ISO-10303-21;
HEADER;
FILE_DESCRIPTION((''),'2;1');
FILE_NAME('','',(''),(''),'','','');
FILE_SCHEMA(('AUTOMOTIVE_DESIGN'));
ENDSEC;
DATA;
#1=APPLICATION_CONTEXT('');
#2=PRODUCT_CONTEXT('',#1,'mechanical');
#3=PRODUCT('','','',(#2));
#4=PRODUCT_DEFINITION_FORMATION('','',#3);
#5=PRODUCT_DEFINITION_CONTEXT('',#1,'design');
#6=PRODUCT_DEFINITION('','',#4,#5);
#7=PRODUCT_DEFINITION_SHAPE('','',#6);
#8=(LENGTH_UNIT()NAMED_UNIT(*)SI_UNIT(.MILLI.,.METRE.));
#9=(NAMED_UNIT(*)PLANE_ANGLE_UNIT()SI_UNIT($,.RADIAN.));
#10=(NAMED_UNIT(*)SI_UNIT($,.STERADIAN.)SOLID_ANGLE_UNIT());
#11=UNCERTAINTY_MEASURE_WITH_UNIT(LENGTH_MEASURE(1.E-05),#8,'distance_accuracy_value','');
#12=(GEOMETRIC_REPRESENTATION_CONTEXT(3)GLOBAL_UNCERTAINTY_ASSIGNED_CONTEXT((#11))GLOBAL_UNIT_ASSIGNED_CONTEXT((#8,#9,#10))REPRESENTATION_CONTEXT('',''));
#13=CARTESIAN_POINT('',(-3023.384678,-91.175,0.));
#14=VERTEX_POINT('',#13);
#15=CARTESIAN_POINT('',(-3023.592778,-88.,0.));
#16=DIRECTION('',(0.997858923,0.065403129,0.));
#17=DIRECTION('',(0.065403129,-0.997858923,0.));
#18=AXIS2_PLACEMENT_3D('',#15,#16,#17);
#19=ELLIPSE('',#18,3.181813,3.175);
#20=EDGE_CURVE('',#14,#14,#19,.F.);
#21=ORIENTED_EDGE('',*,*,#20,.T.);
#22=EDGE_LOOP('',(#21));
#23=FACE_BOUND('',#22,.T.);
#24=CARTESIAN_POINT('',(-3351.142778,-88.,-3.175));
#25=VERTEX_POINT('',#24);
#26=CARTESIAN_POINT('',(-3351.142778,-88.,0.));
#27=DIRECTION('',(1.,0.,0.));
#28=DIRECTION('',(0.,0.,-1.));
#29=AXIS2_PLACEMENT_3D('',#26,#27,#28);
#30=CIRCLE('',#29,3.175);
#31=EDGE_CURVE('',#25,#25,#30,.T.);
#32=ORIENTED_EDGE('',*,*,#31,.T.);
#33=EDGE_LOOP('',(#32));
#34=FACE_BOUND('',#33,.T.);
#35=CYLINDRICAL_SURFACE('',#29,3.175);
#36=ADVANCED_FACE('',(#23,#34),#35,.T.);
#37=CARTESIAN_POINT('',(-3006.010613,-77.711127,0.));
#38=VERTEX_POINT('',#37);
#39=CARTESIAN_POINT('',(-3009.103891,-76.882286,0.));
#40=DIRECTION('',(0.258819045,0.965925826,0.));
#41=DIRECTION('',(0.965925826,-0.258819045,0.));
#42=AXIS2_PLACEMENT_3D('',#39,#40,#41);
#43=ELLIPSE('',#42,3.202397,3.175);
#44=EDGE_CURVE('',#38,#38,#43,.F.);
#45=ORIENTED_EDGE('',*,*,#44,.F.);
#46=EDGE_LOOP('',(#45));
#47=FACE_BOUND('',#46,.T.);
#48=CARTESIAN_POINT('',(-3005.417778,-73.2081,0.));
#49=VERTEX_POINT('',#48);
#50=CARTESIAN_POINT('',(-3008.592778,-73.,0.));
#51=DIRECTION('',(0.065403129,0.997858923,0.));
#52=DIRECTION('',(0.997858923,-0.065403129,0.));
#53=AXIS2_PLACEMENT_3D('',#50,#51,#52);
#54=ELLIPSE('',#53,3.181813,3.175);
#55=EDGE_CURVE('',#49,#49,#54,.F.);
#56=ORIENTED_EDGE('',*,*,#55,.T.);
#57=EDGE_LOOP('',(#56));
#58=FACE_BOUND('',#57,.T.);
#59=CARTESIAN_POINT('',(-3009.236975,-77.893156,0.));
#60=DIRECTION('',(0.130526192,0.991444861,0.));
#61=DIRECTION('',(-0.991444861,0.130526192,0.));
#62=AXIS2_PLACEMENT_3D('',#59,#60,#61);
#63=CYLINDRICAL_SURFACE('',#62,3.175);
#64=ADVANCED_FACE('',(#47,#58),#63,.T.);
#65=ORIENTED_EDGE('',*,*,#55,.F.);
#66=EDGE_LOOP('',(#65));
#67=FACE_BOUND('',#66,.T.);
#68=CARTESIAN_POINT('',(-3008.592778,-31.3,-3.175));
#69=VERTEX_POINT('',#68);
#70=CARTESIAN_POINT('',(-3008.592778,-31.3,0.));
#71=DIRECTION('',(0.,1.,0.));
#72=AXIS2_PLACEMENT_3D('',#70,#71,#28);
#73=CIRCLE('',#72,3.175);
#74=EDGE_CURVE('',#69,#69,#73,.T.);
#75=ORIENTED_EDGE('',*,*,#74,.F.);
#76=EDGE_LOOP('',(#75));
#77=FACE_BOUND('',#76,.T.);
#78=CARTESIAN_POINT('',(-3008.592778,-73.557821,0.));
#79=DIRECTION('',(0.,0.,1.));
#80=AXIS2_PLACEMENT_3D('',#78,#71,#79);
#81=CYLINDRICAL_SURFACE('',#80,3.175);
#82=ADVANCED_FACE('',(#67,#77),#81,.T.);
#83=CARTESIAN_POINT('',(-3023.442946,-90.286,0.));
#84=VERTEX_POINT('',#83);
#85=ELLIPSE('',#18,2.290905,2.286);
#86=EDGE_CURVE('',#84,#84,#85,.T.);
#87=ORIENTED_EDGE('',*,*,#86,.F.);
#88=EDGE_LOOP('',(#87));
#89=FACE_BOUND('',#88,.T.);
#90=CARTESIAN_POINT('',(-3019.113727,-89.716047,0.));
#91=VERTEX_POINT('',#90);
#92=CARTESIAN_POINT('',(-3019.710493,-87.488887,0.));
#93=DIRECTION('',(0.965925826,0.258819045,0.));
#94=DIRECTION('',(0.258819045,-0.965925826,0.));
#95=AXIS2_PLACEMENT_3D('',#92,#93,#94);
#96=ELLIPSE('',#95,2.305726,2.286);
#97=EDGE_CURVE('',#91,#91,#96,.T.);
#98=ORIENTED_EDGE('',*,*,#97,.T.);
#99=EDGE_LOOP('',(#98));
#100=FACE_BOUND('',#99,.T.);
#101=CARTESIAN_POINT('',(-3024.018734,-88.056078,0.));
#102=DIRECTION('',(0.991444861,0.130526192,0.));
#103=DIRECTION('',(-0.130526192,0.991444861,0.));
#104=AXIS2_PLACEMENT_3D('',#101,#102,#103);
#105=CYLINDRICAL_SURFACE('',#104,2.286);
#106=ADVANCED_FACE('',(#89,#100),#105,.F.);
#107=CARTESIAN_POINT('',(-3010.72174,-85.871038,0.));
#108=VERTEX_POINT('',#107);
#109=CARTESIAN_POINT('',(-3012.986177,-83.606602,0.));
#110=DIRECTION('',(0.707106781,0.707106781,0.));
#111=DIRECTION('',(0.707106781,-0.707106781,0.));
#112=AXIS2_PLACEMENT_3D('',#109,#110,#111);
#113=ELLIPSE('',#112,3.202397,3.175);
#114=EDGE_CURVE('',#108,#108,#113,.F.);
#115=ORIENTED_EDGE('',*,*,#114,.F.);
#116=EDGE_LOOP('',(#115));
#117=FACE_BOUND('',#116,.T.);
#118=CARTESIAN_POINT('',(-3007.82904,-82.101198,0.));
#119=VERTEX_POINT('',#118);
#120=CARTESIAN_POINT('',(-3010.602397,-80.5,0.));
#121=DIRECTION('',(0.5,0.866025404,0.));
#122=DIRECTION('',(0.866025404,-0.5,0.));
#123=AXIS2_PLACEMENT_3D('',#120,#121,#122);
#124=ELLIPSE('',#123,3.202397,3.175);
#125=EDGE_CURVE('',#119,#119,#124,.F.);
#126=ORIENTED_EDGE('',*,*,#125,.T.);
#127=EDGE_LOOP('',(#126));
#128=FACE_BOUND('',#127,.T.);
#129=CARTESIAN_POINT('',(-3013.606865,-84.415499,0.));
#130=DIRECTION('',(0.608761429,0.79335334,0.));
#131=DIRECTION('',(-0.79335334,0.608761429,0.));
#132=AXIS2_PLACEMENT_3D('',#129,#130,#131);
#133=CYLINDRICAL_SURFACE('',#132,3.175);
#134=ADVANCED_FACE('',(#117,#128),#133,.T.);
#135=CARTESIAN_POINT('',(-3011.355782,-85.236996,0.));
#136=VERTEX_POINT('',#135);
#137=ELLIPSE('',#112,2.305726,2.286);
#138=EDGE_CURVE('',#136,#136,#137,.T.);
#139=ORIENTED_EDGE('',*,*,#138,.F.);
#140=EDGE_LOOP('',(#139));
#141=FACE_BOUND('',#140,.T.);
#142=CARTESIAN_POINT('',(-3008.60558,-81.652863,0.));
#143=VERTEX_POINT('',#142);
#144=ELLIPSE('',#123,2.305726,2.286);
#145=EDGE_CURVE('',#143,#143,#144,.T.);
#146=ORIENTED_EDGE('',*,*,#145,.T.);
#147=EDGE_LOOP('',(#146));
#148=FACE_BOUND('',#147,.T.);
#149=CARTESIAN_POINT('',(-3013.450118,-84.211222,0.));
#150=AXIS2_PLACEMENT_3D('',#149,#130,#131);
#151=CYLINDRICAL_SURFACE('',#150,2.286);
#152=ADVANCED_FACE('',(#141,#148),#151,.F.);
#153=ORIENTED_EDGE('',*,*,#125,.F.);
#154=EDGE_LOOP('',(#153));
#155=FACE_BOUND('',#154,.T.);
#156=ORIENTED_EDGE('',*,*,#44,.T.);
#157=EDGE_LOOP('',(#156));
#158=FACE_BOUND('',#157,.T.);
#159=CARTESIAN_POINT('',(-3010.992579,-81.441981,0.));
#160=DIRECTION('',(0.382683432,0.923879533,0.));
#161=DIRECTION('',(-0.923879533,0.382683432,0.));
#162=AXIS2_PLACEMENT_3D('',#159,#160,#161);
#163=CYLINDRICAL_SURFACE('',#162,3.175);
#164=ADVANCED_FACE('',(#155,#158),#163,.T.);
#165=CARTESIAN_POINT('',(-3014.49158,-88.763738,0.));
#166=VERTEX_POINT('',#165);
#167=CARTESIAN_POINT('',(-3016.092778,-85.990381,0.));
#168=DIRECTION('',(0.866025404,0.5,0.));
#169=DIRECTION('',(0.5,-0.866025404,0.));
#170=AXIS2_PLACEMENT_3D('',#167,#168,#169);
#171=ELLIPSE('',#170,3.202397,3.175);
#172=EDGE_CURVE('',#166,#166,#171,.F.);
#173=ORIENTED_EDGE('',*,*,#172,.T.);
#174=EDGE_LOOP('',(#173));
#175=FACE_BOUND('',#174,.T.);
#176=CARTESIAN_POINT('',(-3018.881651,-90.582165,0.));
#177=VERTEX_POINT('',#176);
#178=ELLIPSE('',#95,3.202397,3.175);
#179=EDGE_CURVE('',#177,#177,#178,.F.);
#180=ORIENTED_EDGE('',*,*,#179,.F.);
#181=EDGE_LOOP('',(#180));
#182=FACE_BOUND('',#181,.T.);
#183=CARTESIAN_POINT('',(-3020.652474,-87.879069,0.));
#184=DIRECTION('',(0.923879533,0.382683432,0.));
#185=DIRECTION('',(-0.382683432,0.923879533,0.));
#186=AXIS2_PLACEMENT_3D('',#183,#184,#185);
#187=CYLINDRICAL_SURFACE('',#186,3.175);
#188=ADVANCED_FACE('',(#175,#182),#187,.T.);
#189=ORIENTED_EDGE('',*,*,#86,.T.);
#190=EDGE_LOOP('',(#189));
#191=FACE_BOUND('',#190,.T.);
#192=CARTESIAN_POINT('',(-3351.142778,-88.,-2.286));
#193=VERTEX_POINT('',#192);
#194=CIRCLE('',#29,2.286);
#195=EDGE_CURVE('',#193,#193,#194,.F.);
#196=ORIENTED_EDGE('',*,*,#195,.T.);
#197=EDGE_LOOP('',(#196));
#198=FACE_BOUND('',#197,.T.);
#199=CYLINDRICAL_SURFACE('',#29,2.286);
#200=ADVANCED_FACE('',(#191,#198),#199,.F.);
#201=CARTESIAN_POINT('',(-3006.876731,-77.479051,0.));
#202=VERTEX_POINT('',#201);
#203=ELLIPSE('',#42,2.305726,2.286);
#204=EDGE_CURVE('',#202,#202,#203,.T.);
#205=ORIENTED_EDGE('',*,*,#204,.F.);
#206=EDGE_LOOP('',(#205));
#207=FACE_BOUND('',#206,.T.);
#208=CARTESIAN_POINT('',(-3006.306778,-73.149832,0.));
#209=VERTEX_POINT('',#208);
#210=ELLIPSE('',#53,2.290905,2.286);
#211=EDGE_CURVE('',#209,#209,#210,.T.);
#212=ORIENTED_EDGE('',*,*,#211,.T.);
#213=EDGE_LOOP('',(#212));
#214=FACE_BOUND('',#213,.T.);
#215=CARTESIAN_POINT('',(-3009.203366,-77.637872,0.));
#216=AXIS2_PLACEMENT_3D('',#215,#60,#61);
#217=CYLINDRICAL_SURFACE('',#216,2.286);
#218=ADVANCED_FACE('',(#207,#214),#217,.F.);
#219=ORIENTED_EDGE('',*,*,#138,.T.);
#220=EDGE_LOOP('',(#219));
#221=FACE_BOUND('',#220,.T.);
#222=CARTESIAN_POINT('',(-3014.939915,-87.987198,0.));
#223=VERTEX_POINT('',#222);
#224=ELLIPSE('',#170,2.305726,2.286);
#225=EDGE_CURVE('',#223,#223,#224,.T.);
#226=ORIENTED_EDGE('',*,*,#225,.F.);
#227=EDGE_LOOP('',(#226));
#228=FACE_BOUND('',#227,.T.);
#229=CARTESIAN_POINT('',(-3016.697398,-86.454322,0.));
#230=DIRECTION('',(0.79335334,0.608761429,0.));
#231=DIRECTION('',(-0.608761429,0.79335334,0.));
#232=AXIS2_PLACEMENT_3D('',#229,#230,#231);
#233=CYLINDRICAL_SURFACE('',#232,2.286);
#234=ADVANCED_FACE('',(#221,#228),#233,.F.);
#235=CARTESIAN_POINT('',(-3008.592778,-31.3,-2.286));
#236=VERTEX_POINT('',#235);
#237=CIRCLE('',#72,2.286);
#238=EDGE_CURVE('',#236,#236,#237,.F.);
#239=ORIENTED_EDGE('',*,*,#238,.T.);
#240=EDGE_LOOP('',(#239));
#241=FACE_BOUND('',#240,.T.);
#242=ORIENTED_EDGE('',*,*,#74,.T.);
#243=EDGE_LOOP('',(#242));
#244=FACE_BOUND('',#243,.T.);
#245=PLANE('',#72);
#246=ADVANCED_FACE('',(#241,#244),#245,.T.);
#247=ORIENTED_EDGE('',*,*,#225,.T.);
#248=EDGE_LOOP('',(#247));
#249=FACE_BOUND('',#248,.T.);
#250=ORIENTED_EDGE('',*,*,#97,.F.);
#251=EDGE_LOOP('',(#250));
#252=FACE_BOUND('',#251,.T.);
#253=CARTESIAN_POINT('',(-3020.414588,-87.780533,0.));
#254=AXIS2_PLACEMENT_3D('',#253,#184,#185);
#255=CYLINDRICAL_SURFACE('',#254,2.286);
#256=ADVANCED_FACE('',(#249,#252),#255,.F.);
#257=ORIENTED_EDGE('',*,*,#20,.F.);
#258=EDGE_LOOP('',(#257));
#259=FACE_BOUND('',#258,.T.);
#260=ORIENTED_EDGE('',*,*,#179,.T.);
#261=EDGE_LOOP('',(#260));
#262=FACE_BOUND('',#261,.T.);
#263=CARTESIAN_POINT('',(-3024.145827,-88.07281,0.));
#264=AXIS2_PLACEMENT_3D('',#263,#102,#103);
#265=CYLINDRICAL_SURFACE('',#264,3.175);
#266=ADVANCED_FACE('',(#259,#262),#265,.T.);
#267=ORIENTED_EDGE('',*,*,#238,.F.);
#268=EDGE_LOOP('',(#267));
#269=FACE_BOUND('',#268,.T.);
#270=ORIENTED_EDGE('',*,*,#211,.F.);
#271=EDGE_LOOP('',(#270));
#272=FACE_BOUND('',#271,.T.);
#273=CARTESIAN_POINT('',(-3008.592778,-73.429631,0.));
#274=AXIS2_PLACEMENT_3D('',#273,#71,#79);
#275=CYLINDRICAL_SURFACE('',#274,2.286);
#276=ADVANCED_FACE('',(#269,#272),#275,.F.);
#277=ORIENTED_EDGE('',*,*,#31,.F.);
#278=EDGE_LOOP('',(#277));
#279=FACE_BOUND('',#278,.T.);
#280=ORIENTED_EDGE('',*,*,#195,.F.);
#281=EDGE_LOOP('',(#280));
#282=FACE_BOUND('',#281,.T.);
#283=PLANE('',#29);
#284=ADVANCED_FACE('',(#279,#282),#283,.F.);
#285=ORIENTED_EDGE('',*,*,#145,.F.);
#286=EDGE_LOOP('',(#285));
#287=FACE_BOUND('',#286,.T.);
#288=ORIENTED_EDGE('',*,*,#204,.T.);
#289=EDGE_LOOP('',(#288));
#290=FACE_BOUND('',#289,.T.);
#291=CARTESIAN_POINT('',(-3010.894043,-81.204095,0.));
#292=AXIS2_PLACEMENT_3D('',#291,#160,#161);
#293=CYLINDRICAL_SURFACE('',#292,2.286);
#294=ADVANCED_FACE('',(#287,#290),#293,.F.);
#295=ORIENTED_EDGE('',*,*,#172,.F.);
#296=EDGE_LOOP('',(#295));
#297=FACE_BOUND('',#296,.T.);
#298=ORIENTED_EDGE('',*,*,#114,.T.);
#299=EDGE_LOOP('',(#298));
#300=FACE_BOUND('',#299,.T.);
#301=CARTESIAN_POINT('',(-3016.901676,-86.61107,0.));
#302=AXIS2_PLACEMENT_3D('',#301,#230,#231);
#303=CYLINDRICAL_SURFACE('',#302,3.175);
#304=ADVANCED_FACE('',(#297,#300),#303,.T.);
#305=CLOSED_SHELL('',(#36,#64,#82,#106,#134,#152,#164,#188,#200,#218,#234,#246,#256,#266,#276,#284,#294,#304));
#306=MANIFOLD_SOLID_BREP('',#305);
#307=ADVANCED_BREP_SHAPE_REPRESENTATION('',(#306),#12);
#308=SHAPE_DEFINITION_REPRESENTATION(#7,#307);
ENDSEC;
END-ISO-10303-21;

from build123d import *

# Parameters (mm, degrees)
PROFILE_R   = 3.175
PROFILE_R_2 = 2.286


with BuildPart() as part:
    # Tube: sweep along a curve in space
    with BuildLine() as tube_path:
        Line((-3351.142778381, -88, 0), (-3023.592778381, -88, 0))
        Line((-3023.592778381, -88, 0), (-3019.710492704, -87.488887394, 0))
        Line((-3019.710492704, -87.488887394, 0), (-3016.092778381, -85.990381057, 0))
        Line((-3016.092778381, -85.990381057, 0), (-3012.986176663, -83.606601718, 0))
        Line((-3012.986176663, -83.606601718, 0), (-3010.602397324, -80.5, 0))
        Line((-3010.602397324, -80.5, 0), (-3009.103890986, -76.882285677, 0))
        Line((-3009.103890986, -76.882285677, 0), (-3008.592778381, -73, 0))
        Line((-3008.592778381, -73, 0), (-3008.592778381, -31.3, 0))
    # Profile → Tube (sweep)
    with BuildSketch(Plane(origin=(-3351.142778381, 0, 0), x_dir=(0, 0, -1), z_dir=(1, 0, 0))):
        with Locations((0, -88)):
            Circle(PROFILE_R)
        with Locations((0, -88)):
            Circle(PROFILE_R_2, mode=Mode.SUBTRACT)
    sweep(path=tube_path.line, transition=Transition.RIGHT)


solid = part.part
